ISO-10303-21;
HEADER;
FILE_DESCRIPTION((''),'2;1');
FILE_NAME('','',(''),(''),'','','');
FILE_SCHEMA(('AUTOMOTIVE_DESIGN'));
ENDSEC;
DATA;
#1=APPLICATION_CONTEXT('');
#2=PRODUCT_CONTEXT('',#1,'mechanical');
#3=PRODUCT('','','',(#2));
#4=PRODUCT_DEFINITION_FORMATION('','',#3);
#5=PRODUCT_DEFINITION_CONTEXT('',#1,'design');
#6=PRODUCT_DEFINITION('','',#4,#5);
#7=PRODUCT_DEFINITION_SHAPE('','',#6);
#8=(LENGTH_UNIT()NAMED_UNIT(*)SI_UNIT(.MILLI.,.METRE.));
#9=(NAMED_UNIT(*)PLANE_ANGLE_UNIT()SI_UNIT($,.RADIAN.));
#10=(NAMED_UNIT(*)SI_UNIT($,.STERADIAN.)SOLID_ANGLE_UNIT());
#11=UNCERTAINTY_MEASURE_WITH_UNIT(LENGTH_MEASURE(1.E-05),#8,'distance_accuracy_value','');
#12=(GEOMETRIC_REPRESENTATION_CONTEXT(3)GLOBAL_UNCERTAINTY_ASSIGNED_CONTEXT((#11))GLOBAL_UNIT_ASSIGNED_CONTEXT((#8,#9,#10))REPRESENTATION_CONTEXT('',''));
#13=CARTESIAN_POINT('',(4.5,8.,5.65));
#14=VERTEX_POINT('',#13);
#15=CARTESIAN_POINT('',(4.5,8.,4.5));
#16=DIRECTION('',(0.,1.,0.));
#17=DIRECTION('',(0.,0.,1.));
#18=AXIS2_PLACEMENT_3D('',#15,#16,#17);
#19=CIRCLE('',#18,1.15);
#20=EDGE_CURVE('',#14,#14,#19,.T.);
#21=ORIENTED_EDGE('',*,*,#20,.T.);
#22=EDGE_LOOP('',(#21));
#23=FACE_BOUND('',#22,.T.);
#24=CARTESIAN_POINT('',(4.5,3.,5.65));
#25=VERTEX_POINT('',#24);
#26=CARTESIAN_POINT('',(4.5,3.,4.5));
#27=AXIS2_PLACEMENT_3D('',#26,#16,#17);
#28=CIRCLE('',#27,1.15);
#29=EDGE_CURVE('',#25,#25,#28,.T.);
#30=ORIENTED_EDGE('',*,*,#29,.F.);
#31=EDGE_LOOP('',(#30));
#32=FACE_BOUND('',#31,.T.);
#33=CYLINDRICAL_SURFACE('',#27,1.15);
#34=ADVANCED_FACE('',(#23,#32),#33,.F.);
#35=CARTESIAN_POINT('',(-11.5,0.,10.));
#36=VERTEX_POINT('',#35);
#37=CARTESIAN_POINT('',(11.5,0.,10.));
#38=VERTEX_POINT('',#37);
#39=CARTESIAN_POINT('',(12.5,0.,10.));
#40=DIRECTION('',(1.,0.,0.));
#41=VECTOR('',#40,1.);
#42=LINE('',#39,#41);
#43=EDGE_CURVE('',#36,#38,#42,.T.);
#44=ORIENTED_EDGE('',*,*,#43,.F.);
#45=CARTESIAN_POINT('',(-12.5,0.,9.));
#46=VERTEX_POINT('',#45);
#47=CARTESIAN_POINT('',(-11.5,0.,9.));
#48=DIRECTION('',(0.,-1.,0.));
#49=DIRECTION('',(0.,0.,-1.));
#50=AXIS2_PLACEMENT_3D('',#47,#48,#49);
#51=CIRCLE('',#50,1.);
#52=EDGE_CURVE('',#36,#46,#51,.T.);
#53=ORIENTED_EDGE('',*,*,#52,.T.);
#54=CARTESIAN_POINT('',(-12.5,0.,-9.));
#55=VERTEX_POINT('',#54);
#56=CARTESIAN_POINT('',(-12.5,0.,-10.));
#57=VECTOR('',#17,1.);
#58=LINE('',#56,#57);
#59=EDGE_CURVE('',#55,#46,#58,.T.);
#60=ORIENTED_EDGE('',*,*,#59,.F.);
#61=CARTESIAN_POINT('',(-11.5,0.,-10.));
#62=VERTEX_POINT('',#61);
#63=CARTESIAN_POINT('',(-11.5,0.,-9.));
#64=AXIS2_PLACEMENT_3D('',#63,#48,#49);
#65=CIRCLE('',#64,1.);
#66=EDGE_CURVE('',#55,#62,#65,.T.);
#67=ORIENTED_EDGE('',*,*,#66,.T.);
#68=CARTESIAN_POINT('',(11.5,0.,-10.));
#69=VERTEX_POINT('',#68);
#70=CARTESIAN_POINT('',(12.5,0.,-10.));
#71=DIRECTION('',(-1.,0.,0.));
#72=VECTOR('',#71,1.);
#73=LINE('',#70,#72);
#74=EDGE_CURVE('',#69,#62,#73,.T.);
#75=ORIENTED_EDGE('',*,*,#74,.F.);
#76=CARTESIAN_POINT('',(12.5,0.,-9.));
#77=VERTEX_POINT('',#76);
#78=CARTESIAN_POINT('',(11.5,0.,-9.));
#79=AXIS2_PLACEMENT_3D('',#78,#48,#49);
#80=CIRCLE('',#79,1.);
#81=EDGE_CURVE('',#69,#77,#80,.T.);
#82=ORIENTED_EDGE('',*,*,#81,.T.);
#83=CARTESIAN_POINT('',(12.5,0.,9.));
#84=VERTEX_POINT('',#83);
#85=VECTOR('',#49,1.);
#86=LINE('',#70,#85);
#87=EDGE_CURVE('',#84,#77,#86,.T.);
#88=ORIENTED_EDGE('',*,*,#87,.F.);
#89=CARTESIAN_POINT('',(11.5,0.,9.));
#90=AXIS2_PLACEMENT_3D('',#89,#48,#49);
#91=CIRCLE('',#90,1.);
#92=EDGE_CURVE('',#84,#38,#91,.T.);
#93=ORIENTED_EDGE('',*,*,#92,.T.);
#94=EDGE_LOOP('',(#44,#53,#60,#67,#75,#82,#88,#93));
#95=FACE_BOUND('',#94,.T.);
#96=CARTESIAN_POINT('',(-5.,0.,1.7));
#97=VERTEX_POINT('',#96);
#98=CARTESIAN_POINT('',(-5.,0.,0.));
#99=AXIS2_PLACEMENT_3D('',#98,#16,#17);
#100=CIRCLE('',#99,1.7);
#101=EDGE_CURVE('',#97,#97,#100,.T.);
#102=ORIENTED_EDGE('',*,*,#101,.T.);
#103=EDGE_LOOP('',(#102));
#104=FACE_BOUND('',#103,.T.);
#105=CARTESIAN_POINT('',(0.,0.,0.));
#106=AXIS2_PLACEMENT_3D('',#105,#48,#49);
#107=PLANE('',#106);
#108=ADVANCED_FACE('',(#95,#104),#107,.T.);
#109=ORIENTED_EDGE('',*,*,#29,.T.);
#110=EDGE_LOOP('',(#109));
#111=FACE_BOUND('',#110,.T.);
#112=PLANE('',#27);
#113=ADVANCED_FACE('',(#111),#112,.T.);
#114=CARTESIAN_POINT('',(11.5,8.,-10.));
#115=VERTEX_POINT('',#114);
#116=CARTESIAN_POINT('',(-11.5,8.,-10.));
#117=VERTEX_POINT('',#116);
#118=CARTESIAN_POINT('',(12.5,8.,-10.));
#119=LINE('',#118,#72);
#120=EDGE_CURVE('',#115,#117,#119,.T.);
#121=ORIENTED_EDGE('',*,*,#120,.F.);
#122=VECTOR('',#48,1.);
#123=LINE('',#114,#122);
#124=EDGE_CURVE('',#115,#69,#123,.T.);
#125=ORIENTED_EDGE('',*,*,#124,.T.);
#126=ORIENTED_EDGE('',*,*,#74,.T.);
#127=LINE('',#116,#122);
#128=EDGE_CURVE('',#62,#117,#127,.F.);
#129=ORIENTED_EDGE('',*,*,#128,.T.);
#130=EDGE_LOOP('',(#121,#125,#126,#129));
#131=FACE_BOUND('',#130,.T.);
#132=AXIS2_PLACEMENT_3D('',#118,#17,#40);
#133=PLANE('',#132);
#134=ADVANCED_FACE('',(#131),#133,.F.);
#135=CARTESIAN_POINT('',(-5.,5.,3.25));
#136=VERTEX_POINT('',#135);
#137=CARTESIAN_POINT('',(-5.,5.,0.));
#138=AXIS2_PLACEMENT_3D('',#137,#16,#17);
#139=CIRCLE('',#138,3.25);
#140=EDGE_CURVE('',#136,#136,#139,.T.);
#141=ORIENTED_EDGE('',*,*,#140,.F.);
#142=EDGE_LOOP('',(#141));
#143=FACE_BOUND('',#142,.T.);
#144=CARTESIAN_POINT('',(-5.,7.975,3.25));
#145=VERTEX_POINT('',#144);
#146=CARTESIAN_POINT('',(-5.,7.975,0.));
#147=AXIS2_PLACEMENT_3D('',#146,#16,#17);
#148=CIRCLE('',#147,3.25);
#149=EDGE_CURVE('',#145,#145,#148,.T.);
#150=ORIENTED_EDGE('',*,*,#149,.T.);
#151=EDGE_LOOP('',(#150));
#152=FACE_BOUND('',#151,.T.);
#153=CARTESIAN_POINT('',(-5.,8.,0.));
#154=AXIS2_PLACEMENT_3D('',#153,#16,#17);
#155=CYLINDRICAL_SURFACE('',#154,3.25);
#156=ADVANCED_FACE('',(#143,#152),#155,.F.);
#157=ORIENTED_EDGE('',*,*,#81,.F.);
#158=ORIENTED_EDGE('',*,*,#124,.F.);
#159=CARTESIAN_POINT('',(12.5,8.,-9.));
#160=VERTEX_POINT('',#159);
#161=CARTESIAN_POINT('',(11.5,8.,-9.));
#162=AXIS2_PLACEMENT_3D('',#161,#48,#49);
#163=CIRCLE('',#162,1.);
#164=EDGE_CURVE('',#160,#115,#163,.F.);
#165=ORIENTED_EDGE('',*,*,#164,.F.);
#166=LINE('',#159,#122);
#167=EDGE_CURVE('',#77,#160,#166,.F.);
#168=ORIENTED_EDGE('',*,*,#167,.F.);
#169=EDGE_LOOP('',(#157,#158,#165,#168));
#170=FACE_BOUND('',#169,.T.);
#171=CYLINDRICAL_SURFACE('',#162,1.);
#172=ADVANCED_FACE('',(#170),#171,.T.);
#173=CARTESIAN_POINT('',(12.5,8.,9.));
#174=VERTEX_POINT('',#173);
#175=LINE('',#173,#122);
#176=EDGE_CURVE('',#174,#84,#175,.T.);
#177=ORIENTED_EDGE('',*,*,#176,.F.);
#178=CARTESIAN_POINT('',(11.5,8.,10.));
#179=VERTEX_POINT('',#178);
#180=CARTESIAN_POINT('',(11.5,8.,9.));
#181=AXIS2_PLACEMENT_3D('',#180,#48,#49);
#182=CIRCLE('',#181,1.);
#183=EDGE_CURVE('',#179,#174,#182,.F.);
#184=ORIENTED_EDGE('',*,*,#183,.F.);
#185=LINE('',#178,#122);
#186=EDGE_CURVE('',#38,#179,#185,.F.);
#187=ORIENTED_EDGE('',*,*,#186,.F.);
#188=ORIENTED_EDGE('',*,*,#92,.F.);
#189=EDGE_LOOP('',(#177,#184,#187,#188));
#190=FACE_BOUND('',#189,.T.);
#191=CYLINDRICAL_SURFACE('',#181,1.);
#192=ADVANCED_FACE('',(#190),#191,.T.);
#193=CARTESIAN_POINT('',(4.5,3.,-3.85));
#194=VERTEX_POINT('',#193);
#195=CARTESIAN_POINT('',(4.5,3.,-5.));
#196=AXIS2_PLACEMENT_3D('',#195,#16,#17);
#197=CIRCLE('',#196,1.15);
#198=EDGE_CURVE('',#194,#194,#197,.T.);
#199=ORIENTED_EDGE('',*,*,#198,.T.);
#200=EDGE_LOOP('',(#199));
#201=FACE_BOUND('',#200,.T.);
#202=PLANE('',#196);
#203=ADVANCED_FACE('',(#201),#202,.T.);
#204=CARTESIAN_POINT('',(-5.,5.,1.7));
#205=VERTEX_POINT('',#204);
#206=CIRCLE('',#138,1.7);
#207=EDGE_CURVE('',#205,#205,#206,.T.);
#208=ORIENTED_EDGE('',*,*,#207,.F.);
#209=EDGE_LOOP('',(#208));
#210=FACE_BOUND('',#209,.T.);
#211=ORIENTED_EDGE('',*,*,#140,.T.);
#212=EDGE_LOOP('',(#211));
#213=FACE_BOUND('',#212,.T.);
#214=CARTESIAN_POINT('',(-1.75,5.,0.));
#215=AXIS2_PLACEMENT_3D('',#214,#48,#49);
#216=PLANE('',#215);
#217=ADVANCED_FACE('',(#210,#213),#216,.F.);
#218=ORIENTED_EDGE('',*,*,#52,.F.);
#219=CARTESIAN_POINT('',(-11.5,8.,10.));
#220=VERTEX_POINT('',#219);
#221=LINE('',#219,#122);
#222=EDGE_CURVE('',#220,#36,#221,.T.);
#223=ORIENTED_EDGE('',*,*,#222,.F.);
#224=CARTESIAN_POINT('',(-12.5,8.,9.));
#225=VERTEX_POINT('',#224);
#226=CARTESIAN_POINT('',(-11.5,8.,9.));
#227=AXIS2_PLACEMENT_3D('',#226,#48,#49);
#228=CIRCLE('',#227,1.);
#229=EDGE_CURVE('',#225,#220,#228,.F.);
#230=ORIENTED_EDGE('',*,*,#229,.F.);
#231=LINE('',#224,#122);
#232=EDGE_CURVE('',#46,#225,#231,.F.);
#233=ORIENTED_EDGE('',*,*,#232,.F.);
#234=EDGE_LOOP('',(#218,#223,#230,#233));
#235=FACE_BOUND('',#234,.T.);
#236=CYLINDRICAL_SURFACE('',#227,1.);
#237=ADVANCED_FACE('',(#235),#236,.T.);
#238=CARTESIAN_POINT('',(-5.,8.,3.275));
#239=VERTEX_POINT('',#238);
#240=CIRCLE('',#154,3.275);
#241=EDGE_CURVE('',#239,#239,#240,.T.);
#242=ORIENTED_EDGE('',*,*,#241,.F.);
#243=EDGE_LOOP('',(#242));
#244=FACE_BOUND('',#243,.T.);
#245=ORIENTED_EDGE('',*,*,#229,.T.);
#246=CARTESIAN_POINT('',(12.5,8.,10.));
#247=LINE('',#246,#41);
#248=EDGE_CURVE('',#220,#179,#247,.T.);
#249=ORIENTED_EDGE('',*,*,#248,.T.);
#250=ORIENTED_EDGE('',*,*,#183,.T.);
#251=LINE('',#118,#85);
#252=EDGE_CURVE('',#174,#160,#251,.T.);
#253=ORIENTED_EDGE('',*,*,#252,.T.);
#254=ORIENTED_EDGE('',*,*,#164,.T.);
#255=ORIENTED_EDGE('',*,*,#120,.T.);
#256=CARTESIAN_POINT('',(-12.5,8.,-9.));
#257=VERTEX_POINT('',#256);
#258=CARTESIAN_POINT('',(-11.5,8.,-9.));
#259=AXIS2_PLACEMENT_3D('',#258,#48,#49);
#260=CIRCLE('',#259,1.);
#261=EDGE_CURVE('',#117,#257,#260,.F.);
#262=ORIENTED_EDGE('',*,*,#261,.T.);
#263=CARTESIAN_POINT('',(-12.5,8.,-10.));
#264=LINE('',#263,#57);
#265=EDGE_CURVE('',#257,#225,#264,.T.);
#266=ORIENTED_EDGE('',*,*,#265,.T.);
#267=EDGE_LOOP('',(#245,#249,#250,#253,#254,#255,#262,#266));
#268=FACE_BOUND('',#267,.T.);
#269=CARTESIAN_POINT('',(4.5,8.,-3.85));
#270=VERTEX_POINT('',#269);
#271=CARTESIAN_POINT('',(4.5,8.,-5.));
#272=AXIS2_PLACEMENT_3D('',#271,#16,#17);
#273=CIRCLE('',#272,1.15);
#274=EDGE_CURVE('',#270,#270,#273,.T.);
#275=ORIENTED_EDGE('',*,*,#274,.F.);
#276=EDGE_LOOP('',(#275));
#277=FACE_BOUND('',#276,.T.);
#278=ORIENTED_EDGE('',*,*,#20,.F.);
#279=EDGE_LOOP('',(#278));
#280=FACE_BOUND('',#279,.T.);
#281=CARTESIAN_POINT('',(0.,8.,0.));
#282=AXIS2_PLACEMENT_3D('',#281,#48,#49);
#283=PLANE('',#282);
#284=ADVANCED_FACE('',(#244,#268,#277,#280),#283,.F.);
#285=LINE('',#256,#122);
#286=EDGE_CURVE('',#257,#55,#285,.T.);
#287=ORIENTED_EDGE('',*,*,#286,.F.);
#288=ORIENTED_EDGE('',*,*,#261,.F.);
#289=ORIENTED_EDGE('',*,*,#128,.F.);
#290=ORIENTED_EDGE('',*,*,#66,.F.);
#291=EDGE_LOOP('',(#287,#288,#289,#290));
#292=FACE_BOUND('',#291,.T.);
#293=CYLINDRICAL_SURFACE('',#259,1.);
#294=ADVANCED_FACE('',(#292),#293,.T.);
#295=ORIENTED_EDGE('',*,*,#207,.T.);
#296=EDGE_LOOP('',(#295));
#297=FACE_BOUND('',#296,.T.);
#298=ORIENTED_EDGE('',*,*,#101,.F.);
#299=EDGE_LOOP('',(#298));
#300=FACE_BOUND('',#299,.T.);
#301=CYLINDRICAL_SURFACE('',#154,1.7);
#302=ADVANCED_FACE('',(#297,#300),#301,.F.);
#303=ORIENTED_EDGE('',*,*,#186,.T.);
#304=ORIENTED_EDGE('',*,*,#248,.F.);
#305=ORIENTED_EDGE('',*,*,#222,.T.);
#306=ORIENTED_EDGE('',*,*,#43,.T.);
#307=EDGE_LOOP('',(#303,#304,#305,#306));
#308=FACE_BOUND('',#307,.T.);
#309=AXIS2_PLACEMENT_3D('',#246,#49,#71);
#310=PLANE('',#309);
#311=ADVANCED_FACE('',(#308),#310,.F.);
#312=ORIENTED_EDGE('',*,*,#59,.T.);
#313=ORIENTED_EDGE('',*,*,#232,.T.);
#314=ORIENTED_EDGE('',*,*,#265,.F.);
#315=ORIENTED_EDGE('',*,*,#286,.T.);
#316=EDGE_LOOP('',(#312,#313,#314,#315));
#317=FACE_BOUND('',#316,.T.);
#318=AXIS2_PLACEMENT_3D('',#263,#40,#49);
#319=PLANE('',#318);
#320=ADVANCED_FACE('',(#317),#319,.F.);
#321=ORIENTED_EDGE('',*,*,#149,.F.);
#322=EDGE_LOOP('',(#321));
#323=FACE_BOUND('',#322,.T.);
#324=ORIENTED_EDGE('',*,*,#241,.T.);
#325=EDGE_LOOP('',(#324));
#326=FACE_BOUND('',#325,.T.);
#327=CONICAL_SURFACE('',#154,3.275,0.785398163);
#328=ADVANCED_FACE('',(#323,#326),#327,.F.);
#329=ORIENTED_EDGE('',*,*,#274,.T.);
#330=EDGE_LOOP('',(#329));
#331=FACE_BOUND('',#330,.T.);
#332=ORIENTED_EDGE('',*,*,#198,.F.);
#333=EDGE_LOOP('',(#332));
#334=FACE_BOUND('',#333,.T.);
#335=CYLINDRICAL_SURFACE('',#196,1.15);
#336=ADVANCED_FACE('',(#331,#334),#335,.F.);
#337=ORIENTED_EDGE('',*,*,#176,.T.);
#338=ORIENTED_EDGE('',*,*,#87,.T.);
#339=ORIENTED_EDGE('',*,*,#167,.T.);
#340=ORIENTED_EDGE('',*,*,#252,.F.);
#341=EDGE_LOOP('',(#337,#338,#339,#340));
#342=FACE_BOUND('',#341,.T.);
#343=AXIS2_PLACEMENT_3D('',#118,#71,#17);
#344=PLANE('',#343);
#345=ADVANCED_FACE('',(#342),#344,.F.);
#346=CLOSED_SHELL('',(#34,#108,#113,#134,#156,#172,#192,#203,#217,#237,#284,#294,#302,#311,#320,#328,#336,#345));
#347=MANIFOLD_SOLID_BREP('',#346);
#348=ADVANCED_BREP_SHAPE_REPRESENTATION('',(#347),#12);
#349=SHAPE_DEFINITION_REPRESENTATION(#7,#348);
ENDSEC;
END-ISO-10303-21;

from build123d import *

# Parameters (mm, degrees)
SKETCH1_W           = 25
SKETCH1_H           = 20
BOSS_EXTRUDE1_DEPTH = 8
FILLET1_R           = 1
SKETCH5_R           = 1.15
CUT_EXTRUDE1_DEPTH  = 5


with BuildPart() as part:
    # Sketch1 → Boss-Extrude1 (new body)
    with BuildSketch(Plane(origin=(0, 0, 0), x_dir=(1, 0, 0), z_dir=(0, 1, 0))):
        Rectangle(SKETCH1_W, SKETCH1_H)
    extrude(amount=BOSS_EXTRUDE1_DEPTH)

    # Sketch4 → CBORE for M3 SHCS1 (revolve, cut)
    with BuildSketch(Plane(origin=(-5, 8, 0), x_dir=(0, 0, 1), z_dir=(1, 0, 0))):
        Polygon((0, 0), (0, 8), (1.7, 8), (1.7, 3), (3.25, 3), (3.25, 0.025), (3.275, 0), align=None)
    revolve(axis=Axis((-5, 14.35, 0), (0, -1, 0)), mode=Mode.SUBTRACT)

    # Fillet1
    fillet1_edges = [part.edges().sort_by_distance(p)[0] for p in [
        (-12.5, 4, -10),
        (12.5, 4, -10),
        (12.5, 4, 10),
        (-12.5, 4, 10),
    ]]
    fillet(fillet1_edges, radius=FILLET1_R)

    # Sketch5 → Cut-Extrude1 (cut)
    with BuildSketch(Plane(origin=(0, 8, 0), x_dir=(1, 0, 0), z_dir=(0, 1, 0))):
        with Locations((4.5, 5)):
            Circle(SKETCH5_R)
        with Locations((4.5, -4.5)):
            Circle(SKETCH5_R)
    extrude(amount=-CUT_EXTRUDE1_DEPTH, mode=Mode.SUBTRACT)


solid = part.part
